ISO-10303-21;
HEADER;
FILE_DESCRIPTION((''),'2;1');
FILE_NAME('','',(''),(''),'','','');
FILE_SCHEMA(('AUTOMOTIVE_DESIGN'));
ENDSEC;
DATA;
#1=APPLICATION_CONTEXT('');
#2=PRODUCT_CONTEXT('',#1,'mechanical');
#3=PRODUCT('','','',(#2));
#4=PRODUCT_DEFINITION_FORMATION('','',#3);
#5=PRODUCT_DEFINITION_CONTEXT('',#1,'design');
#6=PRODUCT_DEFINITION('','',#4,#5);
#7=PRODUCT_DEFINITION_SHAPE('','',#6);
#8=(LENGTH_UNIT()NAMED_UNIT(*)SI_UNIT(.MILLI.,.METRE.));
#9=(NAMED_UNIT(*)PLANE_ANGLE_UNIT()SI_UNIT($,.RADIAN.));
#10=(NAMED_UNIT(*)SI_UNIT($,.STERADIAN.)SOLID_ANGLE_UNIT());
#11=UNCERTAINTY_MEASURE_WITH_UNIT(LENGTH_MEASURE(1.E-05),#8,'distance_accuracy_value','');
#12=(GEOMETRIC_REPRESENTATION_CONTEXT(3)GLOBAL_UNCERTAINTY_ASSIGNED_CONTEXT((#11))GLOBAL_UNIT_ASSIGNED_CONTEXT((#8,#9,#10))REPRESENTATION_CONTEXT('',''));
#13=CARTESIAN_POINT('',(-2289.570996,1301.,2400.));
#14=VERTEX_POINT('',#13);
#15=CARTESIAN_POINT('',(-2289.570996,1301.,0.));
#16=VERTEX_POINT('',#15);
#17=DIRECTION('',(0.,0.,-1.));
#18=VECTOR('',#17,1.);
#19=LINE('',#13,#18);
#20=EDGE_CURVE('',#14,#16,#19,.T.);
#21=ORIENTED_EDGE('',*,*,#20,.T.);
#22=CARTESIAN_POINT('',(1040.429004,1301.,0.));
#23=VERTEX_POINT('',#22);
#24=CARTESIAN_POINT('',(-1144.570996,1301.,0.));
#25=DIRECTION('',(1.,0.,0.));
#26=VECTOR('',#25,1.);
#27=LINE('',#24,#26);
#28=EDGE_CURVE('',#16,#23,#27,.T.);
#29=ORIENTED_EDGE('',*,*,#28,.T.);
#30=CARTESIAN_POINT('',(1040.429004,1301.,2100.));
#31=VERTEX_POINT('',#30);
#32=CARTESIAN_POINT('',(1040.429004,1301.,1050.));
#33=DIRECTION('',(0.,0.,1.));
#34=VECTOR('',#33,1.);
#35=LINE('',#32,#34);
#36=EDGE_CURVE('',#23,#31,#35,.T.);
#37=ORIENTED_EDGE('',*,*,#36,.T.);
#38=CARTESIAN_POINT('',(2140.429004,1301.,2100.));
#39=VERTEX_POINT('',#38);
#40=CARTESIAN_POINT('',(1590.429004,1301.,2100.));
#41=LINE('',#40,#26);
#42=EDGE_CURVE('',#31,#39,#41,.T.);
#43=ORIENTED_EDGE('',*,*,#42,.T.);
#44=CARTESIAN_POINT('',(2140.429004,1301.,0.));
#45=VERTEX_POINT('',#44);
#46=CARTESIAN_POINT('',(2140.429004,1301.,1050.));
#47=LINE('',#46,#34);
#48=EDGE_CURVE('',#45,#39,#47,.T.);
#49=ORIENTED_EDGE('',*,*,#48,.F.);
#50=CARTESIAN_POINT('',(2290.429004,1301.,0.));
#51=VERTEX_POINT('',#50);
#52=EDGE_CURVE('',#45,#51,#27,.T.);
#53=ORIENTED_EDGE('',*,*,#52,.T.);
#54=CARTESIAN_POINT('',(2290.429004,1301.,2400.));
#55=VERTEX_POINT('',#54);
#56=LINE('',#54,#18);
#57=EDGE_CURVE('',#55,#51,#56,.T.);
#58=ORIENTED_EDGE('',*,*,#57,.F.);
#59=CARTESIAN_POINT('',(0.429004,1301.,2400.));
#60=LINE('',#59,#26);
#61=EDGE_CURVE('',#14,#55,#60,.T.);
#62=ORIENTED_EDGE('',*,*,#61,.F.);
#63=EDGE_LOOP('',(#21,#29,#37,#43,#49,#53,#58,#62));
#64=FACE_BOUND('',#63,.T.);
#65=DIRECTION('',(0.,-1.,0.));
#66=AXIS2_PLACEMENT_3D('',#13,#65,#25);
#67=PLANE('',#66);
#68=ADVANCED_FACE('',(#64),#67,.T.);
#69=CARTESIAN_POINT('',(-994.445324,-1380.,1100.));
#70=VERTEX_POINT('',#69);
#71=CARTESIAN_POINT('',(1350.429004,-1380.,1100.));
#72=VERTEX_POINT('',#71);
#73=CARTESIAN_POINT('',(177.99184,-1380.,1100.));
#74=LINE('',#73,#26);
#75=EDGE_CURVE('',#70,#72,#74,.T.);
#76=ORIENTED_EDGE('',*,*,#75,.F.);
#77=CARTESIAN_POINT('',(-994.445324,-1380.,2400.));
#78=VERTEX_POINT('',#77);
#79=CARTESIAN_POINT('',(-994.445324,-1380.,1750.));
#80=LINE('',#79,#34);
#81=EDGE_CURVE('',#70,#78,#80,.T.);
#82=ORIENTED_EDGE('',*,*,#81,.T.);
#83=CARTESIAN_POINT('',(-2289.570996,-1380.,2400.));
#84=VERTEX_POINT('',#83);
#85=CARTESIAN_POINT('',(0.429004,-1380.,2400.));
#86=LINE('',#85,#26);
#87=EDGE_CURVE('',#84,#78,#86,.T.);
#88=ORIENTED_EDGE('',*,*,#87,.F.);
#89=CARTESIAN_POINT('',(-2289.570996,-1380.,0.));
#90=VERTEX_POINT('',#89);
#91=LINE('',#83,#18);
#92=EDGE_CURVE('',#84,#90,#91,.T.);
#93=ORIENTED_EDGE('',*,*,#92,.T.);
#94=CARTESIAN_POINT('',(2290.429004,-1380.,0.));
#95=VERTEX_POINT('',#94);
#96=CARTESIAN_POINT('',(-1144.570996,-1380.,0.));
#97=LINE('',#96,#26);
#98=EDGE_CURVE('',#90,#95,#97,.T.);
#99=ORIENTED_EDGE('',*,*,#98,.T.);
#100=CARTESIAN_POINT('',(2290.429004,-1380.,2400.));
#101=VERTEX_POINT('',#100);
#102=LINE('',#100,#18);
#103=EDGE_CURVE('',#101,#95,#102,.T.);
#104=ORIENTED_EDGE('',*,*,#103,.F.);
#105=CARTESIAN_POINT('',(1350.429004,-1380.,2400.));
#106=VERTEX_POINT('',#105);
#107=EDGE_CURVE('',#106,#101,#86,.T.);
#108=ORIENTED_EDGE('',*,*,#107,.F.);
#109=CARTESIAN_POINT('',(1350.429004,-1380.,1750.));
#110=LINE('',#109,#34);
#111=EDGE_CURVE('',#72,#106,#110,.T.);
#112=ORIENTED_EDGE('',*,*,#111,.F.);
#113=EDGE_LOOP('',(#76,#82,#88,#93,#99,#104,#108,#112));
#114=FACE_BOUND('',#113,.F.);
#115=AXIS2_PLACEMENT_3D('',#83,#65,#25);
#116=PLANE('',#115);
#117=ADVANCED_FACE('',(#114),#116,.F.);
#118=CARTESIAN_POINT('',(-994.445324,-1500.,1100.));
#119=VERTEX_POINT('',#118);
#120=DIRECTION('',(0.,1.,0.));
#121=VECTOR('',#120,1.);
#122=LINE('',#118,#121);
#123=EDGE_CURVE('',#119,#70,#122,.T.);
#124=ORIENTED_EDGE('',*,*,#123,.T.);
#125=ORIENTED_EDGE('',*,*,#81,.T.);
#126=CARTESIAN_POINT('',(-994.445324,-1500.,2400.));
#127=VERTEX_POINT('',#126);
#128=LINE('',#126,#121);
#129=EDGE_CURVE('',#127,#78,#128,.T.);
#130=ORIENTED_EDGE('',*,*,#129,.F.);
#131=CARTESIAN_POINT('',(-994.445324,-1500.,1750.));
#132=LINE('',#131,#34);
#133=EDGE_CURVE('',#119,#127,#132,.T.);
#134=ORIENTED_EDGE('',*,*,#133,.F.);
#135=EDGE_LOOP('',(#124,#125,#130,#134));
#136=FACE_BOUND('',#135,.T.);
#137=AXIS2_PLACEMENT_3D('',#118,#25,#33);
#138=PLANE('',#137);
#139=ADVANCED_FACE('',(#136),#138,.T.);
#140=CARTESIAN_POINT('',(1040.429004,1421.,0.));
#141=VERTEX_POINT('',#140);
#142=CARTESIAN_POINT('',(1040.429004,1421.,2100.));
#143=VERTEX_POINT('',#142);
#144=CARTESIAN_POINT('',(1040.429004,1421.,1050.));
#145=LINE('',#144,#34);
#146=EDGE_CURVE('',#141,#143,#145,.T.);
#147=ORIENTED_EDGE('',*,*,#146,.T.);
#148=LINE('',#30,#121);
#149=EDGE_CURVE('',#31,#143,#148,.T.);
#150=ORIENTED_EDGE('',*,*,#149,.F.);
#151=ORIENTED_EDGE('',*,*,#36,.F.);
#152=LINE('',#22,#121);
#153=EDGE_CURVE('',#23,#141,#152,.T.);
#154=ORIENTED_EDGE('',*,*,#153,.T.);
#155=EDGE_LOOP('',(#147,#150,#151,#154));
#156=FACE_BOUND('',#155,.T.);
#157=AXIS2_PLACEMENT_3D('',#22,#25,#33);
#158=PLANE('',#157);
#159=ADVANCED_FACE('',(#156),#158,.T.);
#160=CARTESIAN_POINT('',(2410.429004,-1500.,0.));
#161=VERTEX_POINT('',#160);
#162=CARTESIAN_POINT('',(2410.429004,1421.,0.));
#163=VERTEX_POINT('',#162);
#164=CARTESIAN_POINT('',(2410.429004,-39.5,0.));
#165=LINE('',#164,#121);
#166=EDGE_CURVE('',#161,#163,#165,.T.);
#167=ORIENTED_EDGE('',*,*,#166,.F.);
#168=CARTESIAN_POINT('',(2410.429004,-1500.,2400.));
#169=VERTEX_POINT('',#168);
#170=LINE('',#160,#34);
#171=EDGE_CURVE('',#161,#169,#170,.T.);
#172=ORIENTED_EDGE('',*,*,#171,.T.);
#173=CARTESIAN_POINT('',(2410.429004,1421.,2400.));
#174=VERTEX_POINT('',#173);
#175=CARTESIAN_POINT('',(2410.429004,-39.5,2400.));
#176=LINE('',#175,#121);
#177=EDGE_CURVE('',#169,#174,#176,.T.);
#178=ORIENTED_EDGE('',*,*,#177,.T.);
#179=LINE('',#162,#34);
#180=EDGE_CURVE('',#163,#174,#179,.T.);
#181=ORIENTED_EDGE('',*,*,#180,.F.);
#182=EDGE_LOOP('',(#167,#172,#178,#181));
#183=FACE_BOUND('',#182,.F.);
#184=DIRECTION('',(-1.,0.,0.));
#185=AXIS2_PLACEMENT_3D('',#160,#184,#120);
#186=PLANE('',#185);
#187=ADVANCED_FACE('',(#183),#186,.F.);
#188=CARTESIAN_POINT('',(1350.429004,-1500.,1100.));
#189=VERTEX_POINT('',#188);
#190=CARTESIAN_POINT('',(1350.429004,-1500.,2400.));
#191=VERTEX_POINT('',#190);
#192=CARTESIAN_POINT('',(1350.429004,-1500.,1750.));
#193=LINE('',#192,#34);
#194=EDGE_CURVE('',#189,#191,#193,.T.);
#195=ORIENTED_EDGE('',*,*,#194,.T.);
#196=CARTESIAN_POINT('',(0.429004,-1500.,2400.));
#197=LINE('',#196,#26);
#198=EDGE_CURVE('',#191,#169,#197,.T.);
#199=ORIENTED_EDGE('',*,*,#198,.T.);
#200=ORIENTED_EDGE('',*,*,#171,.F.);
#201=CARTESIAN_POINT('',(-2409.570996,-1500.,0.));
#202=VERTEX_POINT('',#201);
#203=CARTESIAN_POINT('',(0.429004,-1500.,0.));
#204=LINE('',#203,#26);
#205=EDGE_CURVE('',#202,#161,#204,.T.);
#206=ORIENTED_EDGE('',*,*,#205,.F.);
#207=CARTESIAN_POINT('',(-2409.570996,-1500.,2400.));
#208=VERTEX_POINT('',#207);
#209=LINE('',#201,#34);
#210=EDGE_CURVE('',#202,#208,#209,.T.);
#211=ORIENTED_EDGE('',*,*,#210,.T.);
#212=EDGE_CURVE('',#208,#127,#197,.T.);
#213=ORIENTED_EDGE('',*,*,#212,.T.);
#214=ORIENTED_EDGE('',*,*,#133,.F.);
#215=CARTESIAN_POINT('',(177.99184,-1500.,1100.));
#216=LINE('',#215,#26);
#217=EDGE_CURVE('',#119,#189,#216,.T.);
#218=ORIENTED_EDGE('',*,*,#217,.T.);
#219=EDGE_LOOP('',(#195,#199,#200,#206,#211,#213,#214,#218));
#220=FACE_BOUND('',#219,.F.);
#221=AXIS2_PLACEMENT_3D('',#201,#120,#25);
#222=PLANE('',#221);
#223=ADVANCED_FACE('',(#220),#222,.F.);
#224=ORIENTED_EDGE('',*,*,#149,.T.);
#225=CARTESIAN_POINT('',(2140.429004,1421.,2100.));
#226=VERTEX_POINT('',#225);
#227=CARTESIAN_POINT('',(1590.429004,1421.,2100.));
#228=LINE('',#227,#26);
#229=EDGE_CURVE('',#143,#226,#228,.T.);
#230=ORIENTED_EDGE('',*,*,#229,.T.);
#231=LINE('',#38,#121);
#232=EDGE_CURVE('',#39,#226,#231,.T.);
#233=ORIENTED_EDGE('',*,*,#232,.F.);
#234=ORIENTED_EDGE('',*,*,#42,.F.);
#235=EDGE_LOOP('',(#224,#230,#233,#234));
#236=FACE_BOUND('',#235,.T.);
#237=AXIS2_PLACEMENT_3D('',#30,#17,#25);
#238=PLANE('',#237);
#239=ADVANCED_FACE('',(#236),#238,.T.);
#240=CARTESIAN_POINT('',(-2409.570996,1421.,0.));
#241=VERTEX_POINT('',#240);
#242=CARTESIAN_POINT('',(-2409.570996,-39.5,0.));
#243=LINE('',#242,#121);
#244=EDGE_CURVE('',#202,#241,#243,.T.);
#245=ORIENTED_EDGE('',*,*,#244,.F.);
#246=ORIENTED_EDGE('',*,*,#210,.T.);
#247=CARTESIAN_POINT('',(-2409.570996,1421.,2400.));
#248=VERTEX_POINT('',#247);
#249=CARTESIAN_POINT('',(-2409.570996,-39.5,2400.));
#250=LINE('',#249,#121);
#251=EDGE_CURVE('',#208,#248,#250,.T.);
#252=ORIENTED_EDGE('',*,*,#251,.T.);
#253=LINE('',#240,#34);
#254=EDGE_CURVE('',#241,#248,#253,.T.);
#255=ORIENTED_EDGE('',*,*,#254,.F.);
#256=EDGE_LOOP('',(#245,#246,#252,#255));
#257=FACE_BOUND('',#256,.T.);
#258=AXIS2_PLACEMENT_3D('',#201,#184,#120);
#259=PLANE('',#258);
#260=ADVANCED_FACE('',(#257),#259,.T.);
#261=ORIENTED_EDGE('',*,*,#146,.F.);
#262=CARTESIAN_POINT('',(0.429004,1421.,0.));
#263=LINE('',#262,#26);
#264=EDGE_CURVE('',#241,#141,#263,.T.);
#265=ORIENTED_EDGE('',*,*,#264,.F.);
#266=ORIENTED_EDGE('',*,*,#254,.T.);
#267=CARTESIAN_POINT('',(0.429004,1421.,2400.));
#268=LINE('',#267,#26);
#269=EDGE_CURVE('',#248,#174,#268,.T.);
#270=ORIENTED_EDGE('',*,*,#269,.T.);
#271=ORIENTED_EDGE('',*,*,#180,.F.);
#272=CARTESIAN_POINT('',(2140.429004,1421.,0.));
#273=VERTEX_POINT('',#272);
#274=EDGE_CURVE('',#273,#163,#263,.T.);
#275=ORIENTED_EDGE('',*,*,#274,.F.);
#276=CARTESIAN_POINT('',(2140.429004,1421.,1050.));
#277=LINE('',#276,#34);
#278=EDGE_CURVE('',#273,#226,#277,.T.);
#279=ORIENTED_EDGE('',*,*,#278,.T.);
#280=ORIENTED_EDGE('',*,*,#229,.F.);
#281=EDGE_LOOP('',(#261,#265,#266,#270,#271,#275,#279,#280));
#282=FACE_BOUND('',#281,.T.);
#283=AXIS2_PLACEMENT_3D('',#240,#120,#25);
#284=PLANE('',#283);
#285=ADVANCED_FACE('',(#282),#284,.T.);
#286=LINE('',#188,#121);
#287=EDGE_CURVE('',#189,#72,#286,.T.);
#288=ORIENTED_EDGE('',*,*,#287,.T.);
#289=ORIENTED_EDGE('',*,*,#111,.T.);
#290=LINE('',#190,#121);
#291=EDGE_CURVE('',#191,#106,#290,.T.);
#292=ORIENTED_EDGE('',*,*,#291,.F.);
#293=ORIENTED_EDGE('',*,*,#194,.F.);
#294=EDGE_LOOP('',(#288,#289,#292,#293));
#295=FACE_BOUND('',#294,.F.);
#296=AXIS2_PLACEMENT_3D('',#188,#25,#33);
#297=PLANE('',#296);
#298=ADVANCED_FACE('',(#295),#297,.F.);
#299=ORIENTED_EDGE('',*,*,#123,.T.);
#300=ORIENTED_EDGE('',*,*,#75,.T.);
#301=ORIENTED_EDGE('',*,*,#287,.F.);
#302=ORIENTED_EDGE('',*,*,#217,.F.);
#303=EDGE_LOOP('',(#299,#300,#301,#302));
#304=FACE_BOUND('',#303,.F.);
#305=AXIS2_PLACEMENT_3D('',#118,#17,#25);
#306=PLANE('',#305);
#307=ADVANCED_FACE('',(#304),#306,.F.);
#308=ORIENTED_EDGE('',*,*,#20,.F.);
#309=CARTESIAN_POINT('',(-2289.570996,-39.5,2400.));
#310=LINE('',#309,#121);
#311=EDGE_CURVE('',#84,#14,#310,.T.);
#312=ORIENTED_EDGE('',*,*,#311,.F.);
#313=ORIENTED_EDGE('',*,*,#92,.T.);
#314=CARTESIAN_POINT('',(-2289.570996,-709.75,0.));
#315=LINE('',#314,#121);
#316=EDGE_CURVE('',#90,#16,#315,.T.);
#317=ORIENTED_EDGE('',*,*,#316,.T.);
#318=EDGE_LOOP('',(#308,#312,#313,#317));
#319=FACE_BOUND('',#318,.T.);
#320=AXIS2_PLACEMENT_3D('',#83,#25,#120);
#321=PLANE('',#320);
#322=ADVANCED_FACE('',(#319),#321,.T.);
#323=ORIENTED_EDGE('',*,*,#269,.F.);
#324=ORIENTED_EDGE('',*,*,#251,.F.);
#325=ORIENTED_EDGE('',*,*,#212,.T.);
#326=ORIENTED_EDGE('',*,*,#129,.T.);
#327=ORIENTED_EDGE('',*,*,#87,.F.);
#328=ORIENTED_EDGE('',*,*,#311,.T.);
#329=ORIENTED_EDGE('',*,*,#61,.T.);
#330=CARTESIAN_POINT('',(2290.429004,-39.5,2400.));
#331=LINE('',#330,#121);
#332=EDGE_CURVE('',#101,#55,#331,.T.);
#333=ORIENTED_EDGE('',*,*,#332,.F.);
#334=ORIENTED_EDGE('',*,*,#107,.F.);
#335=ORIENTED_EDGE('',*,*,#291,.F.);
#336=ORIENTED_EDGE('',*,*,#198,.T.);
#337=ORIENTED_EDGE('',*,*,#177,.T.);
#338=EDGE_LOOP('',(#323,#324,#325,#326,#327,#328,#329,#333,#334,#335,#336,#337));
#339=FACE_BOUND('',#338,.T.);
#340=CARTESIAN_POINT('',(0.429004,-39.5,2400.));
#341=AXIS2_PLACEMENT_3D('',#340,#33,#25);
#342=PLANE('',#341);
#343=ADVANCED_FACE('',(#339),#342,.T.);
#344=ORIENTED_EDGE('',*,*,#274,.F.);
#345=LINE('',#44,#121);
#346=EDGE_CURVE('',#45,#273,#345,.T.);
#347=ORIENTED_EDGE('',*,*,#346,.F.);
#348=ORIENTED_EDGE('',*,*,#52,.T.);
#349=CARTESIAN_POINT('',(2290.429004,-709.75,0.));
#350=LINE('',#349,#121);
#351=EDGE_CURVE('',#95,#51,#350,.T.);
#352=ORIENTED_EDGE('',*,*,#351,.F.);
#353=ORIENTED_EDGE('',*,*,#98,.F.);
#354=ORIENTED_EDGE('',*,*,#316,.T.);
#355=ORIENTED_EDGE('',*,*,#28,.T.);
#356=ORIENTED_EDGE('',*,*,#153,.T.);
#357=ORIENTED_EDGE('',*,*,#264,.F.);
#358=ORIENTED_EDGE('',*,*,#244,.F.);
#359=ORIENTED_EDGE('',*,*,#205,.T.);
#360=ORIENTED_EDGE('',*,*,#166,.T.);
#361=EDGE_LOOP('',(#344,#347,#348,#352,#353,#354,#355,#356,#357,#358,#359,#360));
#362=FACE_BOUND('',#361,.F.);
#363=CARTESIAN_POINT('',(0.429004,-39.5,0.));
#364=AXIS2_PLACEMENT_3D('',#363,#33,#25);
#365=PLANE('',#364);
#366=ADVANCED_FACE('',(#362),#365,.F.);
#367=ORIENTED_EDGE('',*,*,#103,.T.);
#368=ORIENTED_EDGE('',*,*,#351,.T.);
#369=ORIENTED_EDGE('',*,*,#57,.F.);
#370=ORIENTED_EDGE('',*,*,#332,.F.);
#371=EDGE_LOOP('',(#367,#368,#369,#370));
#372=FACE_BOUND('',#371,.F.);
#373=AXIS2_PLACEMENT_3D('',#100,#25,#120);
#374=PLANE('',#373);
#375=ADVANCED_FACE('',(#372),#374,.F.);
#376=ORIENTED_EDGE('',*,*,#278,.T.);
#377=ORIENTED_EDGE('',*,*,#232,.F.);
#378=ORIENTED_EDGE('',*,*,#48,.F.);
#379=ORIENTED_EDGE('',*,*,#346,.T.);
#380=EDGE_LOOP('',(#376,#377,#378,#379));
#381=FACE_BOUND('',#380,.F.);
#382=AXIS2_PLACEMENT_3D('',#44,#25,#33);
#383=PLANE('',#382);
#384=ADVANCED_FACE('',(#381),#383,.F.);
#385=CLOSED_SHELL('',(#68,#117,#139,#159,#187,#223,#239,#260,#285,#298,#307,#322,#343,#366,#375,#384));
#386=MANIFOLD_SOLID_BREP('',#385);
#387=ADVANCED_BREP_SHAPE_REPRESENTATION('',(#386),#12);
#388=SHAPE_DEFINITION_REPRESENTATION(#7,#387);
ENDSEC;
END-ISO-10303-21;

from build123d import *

# Parameters (mm, degrees)
F0_W     = 4820
F0_H     = 2921
F1_DEPTH = 2400
F2_W     = 4580
F2_H     = 2681
F3_DEPTH = 2400.001
F4_W     = 2344.874328
F4_H     = 1300
F5_DEPTH = 120
F6_W     = 1100
F6_H     = 2100
F7_DEPTH = 120


with BuildPart() as f1:
    # F0 (on Top) → F1 (new body)
    with BuildSketch(Plane.XY):
        with Locations((0.429004, -39.5)):
            Rectangle(F0_W, F0_H)
    extrude(amount=F1_DEPTH)

    # F2 (on face) → F3 (cut, through all)
    with BuildSketch(Plane.XY.offset(2400)):
        with Locations((0.429004, -39.5)):
            Rectangle(F2_W, F2_H)
    extrude(amount=-F3_DEPTH, mode=Mode.SUBTRACT)

    # F4 (on face) → F5 (cut, through all)
    with BuildSketch(Plane.XZ.offset(1500)):
        with Locations((177.99184, 1750)):
            Rectangle(F4_W, F4_H)
    extrude(amount=-F5_DEPTH, mode=Mode.SUBTRACT)

    # F6 (on face) → F7 (cut, through all)
    with BuildSketch(Plane.XZ.offset(-1301)):
        with Locations((1590.429004, 1050)):
            Rectangle(F6_W, F6_H)
    extrude(amount=-F7_DEPTH, mode=Mode.SUBTRACT)


solid = f1.part
